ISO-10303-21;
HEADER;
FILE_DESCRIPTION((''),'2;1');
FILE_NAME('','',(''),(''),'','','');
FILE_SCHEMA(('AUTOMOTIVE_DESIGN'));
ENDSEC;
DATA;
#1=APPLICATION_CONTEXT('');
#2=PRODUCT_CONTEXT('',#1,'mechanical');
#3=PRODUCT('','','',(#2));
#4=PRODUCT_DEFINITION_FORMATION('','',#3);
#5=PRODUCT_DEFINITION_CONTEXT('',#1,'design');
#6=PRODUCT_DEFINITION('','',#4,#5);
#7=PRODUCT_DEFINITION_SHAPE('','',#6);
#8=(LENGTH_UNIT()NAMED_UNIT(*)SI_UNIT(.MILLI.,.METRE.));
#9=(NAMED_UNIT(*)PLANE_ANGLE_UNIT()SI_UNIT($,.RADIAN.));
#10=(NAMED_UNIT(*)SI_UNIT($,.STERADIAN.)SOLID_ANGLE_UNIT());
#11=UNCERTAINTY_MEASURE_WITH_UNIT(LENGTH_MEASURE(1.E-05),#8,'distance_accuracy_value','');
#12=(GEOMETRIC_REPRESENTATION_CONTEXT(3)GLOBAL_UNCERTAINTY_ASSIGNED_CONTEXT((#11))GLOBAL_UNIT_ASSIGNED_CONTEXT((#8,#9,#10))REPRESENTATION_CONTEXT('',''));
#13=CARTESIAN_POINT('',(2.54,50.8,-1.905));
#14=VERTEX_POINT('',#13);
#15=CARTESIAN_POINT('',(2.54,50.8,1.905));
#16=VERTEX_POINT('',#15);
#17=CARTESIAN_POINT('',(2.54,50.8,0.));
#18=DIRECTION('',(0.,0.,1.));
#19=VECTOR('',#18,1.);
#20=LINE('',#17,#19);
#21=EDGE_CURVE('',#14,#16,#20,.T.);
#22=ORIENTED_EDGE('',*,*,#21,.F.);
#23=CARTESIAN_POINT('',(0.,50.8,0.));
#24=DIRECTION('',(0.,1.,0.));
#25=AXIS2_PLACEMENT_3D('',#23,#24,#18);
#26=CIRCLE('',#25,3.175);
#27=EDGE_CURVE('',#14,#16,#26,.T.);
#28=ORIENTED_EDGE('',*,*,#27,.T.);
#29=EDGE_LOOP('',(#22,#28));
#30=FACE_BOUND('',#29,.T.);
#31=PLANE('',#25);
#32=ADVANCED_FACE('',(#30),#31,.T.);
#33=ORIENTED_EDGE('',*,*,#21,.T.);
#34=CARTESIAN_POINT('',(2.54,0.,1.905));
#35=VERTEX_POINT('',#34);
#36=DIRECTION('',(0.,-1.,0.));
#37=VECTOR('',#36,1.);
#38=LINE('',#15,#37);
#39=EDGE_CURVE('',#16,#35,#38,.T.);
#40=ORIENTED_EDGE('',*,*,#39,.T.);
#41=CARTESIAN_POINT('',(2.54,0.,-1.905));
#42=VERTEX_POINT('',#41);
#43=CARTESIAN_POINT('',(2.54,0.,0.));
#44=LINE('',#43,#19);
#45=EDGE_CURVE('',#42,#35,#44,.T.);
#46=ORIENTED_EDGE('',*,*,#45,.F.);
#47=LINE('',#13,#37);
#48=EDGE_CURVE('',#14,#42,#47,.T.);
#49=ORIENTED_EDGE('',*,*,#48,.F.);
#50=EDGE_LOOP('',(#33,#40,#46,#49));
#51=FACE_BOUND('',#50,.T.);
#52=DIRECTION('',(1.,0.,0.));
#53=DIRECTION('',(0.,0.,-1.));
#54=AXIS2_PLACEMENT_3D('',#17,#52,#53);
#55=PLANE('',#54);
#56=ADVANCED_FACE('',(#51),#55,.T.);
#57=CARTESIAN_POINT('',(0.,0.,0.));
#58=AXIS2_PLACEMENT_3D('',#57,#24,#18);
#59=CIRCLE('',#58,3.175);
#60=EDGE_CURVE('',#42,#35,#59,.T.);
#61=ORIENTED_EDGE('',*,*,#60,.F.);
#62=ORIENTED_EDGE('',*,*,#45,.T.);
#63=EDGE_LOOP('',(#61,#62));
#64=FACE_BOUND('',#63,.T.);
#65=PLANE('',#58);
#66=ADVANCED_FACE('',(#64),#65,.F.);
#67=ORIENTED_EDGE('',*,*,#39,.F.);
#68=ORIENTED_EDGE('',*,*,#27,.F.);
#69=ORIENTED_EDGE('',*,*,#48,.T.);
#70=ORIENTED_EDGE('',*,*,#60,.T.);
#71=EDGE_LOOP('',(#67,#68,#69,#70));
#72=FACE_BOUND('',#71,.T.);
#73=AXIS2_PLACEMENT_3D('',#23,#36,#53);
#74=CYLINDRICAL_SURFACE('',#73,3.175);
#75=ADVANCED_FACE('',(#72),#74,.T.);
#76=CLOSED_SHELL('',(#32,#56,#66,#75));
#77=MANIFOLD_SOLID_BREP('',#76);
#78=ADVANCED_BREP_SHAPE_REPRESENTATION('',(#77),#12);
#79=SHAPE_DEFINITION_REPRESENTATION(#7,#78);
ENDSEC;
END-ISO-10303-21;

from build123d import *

# Parameters (mm, degrees)
BOSS_EXTRUDE1_DEPTH = 50.8


with BuildPart() as part:
    # Sketch1 → Boss-Extrude1 (new body)
    with BuildSketch(Plane(origin=(0, 0, 0), x_dir=(1, 0, 0), z_dir=(0, 1, 0))):
        with BuildLine():
            Line((2.54, -1.905), (2.54, 1.905))
            ThreePointArc((2.54, 1.905), (-3.175, 0), (2.54, -1.905))
        make_face()
    extrude(amount=BOSS_EXTRUDE1_DEPTH)


solid = part.part
